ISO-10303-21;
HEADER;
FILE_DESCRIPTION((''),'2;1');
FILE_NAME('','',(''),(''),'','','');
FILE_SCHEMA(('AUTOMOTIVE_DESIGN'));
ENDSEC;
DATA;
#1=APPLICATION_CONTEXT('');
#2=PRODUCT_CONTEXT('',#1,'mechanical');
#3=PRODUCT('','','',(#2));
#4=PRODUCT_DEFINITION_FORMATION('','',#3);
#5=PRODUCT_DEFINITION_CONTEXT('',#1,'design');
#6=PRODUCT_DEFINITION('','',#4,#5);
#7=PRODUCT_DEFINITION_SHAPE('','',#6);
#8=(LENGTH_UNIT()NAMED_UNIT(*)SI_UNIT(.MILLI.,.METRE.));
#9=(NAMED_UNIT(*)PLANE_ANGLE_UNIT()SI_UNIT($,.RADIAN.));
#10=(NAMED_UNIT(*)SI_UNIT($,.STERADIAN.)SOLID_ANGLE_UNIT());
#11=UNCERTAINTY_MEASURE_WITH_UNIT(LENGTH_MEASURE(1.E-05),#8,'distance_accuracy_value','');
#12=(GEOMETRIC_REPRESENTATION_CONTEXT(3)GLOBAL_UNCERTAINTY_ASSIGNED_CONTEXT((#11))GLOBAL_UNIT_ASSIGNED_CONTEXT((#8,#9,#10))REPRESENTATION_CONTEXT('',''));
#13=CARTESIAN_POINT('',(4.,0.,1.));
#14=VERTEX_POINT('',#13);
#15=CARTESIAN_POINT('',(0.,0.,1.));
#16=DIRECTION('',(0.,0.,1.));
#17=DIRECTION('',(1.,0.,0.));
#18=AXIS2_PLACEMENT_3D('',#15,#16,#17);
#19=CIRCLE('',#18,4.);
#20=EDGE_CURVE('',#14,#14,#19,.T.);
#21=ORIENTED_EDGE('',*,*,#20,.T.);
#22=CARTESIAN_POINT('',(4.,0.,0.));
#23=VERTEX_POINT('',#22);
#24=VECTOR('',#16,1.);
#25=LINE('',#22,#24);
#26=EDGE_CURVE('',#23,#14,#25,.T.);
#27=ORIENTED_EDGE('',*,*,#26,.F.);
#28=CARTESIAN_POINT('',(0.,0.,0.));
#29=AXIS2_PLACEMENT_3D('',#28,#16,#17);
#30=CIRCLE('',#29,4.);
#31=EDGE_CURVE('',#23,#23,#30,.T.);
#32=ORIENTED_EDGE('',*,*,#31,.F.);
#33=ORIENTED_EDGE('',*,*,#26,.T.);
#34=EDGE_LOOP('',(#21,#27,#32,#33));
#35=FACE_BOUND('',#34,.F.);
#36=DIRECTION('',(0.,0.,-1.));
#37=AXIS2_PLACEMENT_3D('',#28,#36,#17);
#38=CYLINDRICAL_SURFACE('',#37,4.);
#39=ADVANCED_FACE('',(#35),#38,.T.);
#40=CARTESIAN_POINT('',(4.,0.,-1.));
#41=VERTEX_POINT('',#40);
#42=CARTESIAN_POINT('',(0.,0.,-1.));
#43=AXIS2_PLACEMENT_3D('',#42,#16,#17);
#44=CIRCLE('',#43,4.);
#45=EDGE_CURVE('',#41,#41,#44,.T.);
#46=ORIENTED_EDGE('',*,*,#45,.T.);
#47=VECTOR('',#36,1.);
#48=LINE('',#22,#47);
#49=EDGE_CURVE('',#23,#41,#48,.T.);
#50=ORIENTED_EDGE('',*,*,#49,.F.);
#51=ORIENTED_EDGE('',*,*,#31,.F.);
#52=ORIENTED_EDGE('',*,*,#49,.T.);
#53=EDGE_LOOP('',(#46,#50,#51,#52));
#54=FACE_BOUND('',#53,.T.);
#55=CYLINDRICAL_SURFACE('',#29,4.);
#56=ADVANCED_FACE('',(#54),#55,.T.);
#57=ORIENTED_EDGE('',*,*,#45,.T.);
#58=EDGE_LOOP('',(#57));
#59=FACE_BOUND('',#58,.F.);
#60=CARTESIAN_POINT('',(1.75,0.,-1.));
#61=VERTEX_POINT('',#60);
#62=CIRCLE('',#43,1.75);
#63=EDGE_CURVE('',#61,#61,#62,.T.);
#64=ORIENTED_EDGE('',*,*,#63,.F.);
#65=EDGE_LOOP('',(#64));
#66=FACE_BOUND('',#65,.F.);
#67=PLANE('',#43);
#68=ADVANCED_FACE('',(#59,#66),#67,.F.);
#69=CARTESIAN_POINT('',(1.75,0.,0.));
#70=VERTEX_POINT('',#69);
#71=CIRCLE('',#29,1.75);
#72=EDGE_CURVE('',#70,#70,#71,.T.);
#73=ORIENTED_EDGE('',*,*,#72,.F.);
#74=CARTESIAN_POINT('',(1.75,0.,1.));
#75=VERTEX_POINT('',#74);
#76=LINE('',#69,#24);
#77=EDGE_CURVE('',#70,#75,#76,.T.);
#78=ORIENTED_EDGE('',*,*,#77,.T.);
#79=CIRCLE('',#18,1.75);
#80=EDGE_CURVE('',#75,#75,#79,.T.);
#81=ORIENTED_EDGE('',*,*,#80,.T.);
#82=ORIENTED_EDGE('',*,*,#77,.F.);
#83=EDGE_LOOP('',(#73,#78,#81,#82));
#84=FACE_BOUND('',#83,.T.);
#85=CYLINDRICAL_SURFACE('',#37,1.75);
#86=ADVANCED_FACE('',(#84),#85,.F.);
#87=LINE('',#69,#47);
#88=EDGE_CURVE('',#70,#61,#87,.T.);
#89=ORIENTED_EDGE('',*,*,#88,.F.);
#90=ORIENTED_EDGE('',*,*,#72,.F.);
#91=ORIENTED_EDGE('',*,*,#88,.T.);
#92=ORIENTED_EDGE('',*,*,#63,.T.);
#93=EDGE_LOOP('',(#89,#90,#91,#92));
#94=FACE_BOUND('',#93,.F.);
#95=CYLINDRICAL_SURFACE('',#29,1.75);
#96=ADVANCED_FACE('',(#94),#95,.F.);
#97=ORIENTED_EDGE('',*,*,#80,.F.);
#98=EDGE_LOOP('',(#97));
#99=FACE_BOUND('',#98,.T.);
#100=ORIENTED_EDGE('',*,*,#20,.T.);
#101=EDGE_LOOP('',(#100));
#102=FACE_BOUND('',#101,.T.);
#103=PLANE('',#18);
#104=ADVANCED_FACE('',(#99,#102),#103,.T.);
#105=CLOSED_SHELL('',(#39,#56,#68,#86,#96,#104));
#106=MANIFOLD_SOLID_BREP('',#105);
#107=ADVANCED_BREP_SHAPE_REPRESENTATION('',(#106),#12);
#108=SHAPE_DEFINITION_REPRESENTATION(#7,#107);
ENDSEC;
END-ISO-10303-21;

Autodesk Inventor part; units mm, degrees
ref_plane "YZ Plane" through (0, 0, 0) normal (1, 0, 0) x (0, 1, 0)
ref_plane "XZ Plane" through (0, 0, 0) normal (0, 1, 0) x (-1, 0, 0)
ref_plane "XY Plane" through (0, 0, 0) normal (0, 0, 1) x (1, 0, 0)
sketch "スケッチ1" plane through (0, 0, 0) normal (0, 0, 1) x (1, 0, 0)
  circle A0 centre (0, 0) radius 1.75
  circle A1 centre (0, 0) radius 4
  dimension "d0" = 3.5
  dimension "d1" = 8
extrude "押し出し1" add sketch "スケッチ1" along normal mid plane 2
properties part number "spacer2mm_in3.5mm"
